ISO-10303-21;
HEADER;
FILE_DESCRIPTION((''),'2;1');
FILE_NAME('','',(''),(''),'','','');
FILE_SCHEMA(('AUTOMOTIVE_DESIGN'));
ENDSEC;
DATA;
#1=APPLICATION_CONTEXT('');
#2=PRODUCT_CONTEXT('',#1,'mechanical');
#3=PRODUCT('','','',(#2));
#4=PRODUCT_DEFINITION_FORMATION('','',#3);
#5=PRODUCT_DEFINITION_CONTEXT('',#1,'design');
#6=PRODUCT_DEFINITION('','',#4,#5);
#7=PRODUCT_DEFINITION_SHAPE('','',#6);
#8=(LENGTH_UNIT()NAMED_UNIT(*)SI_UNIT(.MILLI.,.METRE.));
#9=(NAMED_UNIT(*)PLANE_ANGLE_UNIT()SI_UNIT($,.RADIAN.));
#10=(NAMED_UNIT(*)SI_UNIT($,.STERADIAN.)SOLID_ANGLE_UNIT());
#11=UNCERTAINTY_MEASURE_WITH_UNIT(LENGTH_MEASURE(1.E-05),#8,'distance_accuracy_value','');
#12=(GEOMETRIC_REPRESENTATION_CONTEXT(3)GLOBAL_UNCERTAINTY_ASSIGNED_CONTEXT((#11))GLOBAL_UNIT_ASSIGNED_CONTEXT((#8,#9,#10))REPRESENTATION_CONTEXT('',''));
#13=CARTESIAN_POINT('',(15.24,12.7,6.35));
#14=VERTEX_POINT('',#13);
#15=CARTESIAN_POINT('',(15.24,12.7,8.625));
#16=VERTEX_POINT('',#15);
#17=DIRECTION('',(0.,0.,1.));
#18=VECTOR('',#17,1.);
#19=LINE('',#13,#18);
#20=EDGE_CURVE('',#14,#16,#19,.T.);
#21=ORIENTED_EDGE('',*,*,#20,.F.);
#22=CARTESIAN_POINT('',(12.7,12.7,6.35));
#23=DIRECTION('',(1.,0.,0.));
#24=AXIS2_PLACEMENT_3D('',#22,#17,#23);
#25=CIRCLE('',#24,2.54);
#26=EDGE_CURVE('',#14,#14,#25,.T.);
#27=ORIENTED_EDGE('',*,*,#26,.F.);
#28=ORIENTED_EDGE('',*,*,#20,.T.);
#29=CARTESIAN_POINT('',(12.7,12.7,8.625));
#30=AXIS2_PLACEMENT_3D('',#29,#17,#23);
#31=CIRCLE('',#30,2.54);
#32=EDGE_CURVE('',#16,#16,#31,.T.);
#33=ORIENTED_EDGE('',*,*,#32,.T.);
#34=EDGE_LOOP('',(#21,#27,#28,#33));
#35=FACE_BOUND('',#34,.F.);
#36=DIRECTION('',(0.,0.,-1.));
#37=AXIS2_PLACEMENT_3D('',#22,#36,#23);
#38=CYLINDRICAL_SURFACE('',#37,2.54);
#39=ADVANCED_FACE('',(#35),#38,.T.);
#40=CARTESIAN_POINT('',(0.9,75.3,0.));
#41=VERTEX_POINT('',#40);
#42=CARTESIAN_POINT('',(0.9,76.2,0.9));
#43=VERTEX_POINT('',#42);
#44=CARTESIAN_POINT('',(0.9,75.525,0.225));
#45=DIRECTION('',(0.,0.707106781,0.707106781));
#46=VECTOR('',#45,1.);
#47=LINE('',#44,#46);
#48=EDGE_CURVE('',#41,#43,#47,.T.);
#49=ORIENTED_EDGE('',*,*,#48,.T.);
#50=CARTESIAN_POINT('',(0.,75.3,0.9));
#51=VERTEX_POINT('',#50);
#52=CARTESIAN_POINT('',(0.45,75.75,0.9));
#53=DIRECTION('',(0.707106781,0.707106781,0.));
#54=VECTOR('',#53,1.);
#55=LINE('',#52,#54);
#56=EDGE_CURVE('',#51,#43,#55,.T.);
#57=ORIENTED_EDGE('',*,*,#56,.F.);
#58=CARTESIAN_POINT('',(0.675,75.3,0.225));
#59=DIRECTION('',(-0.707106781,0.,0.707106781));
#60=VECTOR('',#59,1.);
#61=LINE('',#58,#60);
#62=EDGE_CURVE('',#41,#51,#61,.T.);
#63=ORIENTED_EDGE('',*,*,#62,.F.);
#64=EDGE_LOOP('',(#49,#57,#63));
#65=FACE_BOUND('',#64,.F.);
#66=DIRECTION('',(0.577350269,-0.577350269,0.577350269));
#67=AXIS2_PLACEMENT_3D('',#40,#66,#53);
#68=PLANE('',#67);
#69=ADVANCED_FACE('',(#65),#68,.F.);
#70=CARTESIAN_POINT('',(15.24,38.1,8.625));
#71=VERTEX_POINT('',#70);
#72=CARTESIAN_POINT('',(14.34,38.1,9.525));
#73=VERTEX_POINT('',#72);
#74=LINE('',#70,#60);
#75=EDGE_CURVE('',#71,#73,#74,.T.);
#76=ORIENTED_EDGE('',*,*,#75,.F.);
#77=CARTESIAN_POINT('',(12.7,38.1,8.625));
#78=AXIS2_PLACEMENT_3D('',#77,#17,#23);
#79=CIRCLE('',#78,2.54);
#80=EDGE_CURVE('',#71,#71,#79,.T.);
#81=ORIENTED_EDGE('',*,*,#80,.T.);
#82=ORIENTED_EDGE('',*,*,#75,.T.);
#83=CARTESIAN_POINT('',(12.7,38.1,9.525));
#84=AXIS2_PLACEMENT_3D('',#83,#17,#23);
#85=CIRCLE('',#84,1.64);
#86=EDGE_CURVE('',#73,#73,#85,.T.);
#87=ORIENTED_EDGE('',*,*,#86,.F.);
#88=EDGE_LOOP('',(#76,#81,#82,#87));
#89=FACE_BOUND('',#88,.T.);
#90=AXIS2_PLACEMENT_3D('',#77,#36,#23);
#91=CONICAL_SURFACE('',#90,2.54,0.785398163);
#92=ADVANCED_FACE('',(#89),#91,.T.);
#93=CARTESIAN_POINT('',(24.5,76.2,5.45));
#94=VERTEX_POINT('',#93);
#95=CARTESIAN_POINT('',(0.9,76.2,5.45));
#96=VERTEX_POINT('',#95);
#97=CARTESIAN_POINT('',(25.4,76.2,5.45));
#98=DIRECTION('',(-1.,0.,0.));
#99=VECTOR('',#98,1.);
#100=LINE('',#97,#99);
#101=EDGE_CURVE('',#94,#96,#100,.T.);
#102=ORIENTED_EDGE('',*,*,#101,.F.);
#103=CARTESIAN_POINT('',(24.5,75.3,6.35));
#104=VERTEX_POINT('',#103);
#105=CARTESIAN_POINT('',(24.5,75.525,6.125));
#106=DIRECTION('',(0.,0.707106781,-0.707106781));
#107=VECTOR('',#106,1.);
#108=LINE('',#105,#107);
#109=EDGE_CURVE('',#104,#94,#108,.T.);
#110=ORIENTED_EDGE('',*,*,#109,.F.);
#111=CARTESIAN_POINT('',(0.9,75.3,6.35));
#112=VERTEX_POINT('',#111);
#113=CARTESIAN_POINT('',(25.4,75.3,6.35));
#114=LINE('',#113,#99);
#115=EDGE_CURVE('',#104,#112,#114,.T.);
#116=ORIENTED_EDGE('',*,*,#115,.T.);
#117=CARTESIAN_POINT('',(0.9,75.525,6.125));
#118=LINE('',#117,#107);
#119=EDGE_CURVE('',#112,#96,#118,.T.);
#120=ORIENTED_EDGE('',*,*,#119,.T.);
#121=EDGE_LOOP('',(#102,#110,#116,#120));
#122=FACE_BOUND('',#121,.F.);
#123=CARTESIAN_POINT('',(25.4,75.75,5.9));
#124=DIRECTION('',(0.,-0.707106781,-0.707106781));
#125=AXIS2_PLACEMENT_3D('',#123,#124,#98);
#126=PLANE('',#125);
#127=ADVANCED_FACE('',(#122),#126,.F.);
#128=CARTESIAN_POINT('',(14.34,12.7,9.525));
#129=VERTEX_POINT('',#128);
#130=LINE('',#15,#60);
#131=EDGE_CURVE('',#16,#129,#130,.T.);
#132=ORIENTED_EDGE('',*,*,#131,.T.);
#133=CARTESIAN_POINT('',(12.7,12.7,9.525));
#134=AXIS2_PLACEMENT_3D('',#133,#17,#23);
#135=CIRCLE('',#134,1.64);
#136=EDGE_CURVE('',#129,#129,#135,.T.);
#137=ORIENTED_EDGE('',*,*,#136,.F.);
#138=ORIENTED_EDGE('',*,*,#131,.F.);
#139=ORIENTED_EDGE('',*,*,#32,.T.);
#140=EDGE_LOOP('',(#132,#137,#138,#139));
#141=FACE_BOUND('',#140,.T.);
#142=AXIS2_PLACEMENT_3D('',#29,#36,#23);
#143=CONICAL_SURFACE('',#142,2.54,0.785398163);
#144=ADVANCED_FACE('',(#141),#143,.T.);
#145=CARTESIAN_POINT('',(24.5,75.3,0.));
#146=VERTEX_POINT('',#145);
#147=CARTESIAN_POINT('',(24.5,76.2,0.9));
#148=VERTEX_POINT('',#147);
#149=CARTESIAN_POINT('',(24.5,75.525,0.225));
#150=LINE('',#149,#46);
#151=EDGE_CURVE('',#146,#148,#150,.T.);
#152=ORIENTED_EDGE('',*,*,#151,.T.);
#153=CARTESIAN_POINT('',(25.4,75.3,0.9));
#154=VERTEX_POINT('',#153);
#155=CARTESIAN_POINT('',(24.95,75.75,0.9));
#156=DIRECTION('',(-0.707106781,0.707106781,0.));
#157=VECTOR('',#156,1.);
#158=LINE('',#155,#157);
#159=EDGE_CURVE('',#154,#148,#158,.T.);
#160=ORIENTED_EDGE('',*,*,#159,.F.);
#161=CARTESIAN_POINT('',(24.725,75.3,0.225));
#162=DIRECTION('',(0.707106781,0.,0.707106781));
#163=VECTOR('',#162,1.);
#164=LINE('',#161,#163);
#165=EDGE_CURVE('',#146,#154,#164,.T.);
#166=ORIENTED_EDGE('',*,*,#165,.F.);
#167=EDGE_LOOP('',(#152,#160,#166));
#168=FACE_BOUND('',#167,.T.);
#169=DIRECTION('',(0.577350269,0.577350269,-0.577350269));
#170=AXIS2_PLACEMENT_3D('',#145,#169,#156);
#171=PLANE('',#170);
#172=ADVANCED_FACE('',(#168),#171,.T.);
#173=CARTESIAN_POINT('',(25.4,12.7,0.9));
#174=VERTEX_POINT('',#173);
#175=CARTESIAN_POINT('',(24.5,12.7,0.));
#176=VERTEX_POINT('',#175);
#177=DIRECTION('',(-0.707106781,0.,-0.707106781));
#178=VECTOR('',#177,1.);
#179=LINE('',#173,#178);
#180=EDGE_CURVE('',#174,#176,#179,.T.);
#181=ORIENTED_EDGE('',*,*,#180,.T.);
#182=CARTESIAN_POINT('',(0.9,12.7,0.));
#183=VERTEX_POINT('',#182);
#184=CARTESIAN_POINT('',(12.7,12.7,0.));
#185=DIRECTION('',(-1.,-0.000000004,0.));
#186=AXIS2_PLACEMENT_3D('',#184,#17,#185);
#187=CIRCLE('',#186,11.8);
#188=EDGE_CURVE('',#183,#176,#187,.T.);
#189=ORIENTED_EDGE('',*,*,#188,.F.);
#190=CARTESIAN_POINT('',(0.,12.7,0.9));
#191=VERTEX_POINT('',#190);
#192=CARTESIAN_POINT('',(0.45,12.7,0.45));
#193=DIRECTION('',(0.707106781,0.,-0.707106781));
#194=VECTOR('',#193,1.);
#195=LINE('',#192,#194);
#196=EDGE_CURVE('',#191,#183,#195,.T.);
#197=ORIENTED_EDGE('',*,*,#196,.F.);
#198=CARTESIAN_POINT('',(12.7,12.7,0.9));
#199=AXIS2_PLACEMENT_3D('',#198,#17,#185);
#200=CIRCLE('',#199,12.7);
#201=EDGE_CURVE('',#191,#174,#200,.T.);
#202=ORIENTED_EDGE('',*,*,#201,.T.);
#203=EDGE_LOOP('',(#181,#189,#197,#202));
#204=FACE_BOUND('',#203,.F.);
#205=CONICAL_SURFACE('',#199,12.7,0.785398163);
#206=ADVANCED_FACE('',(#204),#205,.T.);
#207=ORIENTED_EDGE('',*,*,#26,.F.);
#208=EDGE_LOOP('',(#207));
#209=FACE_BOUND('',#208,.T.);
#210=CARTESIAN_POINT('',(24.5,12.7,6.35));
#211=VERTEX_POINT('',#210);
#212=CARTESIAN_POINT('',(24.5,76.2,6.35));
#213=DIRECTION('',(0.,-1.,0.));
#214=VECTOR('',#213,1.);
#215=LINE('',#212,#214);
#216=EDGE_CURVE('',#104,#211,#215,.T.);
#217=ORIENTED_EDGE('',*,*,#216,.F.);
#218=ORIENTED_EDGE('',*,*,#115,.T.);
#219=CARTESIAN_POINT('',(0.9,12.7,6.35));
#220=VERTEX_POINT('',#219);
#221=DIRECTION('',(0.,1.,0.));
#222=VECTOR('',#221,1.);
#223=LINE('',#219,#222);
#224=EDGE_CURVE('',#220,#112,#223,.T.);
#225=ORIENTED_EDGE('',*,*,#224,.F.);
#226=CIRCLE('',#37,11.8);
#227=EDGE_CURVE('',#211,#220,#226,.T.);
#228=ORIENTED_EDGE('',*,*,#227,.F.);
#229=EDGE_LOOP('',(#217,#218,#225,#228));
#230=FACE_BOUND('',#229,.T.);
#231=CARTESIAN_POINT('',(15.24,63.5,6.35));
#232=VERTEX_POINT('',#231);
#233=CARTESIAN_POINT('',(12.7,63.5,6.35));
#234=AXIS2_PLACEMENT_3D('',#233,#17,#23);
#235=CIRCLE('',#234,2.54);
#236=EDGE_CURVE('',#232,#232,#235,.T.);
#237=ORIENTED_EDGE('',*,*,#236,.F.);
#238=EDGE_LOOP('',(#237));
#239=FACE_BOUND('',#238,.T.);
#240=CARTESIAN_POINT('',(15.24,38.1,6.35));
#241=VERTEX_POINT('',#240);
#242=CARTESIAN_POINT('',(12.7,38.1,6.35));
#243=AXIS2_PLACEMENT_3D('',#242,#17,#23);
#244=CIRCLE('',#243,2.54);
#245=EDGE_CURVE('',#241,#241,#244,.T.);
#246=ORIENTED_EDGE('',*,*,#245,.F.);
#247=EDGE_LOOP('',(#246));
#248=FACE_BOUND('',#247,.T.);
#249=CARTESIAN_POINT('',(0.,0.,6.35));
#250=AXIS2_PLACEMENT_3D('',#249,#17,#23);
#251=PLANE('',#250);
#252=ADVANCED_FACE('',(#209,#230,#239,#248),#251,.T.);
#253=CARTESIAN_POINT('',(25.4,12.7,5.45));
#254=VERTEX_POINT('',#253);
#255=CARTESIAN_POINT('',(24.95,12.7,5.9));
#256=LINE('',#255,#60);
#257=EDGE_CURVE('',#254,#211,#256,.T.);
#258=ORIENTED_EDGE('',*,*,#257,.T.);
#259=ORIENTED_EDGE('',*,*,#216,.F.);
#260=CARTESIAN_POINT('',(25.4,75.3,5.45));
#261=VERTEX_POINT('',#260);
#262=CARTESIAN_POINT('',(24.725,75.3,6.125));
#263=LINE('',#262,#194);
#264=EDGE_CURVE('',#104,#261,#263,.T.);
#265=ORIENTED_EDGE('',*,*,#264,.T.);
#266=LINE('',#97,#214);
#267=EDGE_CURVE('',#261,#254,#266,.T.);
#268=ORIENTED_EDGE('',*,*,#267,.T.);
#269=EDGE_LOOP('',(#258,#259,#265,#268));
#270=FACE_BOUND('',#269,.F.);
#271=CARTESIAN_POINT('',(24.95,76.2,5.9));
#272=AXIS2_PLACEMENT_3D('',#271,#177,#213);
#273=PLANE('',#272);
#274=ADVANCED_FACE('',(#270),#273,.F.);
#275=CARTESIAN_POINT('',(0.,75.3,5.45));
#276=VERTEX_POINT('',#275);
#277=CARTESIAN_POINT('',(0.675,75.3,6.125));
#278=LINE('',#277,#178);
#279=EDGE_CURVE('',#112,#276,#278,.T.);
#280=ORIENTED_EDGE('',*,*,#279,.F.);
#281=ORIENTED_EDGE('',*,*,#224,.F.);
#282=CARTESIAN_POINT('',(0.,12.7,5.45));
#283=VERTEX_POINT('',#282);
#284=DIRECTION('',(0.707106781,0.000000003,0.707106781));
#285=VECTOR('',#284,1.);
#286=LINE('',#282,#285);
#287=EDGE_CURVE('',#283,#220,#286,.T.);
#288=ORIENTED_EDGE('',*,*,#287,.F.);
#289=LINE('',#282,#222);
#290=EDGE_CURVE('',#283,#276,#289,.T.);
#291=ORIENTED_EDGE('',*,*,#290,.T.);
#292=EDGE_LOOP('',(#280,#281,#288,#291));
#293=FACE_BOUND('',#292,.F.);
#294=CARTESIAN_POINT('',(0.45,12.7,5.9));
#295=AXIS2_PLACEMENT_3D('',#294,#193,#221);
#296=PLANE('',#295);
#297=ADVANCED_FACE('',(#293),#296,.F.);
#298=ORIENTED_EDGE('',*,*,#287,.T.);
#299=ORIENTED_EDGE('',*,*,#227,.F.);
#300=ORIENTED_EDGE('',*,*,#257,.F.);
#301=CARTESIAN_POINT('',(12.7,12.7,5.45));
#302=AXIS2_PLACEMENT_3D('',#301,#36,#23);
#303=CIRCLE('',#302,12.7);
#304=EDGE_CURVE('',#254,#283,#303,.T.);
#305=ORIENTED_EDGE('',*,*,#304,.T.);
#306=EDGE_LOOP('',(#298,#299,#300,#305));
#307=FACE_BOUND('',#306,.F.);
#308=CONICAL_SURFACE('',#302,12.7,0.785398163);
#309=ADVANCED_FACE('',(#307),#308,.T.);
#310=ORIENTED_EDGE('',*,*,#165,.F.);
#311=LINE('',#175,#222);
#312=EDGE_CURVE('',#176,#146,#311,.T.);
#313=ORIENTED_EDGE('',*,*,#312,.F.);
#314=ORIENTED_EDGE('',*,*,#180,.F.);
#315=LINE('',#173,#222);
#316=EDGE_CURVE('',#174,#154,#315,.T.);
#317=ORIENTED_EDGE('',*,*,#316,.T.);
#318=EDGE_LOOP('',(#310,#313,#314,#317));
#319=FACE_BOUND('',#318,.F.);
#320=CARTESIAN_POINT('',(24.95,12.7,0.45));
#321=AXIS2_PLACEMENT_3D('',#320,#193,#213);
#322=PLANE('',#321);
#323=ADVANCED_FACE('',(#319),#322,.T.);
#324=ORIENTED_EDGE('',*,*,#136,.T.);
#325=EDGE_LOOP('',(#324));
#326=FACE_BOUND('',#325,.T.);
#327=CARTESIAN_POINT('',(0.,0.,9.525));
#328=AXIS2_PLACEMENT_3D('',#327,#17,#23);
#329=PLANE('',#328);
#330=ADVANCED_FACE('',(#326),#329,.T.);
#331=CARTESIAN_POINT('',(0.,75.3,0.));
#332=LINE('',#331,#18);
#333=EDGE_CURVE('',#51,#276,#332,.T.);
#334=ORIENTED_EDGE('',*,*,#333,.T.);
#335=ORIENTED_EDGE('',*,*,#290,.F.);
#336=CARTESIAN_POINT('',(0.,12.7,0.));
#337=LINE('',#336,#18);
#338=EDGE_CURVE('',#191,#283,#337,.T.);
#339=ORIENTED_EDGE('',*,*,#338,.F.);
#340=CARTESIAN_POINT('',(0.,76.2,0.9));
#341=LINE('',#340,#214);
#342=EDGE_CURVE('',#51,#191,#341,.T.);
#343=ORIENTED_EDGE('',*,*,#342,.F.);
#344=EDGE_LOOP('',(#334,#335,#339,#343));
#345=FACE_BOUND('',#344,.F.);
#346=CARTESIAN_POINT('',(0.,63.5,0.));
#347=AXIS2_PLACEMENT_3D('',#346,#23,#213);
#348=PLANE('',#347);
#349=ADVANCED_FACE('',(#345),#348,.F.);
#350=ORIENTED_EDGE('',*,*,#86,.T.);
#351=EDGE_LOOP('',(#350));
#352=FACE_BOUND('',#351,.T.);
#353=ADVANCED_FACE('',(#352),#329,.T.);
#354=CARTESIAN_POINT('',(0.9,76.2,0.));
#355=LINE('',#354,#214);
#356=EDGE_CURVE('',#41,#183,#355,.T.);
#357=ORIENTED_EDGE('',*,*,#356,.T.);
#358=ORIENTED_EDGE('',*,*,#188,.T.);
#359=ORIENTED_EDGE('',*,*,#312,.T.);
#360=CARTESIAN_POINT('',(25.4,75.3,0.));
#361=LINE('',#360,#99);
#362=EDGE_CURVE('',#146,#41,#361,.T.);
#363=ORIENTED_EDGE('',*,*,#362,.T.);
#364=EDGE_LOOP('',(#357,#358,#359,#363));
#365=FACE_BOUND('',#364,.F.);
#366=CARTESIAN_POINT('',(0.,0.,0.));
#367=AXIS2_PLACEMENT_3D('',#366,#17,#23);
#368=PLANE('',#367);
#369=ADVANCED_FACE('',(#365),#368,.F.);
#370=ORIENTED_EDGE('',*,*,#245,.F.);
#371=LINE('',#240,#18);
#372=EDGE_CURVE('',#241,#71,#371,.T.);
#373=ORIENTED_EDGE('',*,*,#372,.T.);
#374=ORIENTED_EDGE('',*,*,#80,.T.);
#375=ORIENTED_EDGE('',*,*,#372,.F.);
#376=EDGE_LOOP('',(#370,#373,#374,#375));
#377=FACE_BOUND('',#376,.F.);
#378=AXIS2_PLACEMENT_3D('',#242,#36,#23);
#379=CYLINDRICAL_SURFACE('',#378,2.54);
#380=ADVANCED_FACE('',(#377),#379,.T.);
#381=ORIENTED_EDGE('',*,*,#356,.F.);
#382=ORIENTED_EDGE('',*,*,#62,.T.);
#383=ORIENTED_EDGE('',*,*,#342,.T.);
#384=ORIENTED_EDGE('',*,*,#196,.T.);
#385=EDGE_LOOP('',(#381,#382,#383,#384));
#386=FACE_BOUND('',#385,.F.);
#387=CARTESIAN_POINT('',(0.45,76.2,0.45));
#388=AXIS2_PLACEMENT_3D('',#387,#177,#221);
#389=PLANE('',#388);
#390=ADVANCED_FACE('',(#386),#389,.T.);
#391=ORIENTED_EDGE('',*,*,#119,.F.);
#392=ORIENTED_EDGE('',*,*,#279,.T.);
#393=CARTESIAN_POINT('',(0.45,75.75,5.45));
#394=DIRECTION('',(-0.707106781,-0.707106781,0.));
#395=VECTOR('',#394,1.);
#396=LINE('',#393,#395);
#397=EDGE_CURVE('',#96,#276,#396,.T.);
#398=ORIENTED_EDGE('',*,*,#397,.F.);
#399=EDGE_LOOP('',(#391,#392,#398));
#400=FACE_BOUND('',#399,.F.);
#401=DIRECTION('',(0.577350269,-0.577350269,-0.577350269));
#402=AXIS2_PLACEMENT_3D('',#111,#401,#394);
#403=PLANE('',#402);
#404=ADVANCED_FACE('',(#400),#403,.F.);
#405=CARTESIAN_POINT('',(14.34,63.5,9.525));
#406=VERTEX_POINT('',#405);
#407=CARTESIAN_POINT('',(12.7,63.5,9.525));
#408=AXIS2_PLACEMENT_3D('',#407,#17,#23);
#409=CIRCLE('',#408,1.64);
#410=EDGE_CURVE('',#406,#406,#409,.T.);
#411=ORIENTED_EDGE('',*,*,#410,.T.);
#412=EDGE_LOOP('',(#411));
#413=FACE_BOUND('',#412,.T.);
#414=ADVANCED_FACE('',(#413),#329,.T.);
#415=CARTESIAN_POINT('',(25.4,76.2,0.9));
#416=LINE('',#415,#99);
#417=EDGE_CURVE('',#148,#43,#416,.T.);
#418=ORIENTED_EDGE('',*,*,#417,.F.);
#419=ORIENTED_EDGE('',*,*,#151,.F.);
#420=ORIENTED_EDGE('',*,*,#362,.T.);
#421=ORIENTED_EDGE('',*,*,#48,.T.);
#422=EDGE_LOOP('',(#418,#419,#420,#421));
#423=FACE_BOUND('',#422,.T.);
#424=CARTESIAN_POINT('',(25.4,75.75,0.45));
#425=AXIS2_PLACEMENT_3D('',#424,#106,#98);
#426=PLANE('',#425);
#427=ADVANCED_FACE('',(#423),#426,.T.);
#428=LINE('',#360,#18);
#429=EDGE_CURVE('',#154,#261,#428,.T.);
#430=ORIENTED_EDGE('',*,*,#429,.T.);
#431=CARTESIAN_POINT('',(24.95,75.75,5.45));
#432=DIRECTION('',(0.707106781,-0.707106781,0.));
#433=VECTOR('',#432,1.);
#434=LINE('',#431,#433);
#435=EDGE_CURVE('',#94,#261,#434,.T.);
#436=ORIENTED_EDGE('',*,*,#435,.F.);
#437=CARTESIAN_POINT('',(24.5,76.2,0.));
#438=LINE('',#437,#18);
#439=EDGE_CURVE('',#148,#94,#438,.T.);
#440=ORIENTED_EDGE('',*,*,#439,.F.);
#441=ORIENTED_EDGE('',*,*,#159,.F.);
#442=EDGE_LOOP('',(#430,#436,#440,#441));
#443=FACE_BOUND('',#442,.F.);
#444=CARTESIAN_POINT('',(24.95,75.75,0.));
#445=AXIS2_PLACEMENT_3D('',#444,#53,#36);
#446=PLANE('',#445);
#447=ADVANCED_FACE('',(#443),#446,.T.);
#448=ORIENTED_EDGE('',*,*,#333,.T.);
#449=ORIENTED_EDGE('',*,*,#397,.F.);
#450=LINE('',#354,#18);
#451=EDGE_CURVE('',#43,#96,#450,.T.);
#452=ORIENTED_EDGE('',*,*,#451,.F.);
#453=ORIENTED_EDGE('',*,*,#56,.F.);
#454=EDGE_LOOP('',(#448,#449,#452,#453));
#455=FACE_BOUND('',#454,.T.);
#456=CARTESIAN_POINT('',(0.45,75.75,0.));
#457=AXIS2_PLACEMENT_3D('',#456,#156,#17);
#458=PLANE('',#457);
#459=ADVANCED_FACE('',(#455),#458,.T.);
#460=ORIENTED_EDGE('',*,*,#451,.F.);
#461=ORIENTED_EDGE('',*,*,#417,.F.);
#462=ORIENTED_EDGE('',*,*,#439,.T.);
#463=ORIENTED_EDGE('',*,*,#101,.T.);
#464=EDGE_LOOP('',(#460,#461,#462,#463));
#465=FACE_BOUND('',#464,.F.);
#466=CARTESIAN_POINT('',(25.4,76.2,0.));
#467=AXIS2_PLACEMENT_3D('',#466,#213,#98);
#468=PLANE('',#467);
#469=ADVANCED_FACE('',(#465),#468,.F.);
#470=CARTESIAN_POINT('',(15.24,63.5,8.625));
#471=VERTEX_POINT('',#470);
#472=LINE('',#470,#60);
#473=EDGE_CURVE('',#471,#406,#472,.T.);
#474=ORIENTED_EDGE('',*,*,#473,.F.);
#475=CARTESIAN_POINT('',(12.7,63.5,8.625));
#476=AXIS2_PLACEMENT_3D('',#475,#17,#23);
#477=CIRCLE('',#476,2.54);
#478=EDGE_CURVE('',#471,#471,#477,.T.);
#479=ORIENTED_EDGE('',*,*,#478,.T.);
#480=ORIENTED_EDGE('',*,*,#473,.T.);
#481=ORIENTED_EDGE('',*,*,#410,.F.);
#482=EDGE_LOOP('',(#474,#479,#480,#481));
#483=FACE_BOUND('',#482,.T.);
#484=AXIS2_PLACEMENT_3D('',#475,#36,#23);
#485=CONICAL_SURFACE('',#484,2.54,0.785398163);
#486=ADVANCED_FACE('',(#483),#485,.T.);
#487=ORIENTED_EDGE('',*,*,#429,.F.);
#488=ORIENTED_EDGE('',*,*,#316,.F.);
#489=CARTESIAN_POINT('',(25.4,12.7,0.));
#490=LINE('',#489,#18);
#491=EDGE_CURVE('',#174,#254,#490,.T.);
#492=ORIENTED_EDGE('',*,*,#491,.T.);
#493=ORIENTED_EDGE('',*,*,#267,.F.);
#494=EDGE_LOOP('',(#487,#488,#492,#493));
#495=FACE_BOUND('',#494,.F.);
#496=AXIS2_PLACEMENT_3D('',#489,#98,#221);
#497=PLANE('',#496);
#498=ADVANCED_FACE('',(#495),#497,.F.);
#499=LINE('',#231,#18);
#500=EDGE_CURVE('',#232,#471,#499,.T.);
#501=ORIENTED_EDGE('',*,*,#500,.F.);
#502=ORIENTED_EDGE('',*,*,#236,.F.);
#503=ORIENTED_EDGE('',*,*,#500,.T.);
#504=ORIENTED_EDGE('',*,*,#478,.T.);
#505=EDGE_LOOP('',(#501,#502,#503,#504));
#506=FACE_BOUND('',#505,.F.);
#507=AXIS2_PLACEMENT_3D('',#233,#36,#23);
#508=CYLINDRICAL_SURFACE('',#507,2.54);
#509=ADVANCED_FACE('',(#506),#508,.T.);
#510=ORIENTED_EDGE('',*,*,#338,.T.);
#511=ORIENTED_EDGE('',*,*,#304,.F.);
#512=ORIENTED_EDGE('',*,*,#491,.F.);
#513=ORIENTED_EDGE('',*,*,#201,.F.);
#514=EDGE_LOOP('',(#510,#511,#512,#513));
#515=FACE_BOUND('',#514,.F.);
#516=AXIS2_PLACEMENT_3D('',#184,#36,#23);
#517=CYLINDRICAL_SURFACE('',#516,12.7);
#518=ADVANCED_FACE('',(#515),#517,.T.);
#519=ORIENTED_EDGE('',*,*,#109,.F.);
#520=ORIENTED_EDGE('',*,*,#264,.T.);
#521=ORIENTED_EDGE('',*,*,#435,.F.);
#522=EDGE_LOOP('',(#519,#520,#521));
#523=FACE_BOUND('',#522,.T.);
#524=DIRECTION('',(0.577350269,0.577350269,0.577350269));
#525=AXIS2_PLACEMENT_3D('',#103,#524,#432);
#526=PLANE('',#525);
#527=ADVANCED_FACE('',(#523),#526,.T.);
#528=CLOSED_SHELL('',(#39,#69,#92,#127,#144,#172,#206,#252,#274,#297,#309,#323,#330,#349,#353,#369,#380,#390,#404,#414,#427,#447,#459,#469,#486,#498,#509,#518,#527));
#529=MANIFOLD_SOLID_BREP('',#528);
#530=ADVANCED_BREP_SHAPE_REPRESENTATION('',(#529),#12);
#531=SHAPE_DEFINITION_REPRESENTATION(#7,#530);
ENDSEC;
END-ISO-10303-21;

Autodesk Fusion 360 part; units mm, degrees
sketch "Sketch1" plane through (0, 0, 0) normal (0, 0, 1) x (1, 0, 0)
  line L0 (0, 0) -> (25.4, 0)
  line L1 (25.4, 0) -> (25.4, 63.5)
  line L2 (25.4, 63.5) -> (0, 63.5) construction
  line L3 (0, 63.5) -> (0, 0)
  line L4 (25.4, 63.5) -> (25.4, 76.2)
  line L5 (25.4, 76.2) -> (0, 76.2)
  line L6 (0, 76.2) -> (0, 63.5)
  circle A0 centre (12.7, 63.5) radius 2.54
  circle A1 centre (12.7, 38.1) radius 2.54
  circle A2 centre (12.7, 12.7) radius 2.54
  circle A3 centre (12.7, 12.7) radius 12.7
  dimension "d8" = 25.4
  dimension "d9" = 63.5
  dimension "d11" = 12.7
  dimension "d12" = 5.08
  dimension "d15" = 25.4
  dimension "d16" = 0
extrude "Extrude1" add sketch "Sketch1" along normal blind 6.35 contours A3 | L1 L3 L4 L5 L6 A3 | A0 | A1 | A2
extrude "Extrude2" add sketch "Sketch1" along normal blind 3.175 from surface at 6.35 contours A0 | A1 | A2
chamfer "Chamfer1" distance 0.9 angle 45 9 edges at (10.3319, 11.7815, 9.525) (10.3319, 37.1815, 9.525) (10.3319, 62.5815, 9.525) (25.4, 76.2, 3.175) (0, 76.2, 3.175) (12.7, 76.2, 6.35) (0, 44.45, 6.35) (12.7, 0, 6.35) (25.4, 44.45, 6.35) 1 faces at (8.4667, 33.8667, 0)
equation "CUT_DISTANCE = 0.5 in" comment "Cutting edge tip"
equation "TUBE_WIDTH = 1 in" comment "Width of  tubing"
equation "PIN_SPACING = 1 in" comment "Spacing of holes"
equation "PIN_DIAMETER = 0.2 in" comment "Pin size"
equation "GUIDE_THICKNESS = 0.25 in" comment "Thickness of guide"
equation "PIN_LENGTH = 0.125 in" comment "Height of pin"
equation "PRINTER_LAYER_HEIGHT = 0.3 mm" comment "Layer height for chamfer"
equation "d8 = TUBE_WIDTH"
equation "d9 = PIN_SPACING * ( PIN_COUNT - 0.5 )"
equation "PIN_COUNT = 3" comment "# of pins"
equation "d11 = CUT_DISTANCE"
equation "d12 = PIN_DIAMETER"
equation "d13 = PIN_COUNT"
equation "d15 = PIN_SPACING"
equation "d17 = GUIDE_THICKNESS"
equation "d20 = PIN_LENGTH"
equation "d22 = PRINTER_LAYER_HEIGHT * 3"
